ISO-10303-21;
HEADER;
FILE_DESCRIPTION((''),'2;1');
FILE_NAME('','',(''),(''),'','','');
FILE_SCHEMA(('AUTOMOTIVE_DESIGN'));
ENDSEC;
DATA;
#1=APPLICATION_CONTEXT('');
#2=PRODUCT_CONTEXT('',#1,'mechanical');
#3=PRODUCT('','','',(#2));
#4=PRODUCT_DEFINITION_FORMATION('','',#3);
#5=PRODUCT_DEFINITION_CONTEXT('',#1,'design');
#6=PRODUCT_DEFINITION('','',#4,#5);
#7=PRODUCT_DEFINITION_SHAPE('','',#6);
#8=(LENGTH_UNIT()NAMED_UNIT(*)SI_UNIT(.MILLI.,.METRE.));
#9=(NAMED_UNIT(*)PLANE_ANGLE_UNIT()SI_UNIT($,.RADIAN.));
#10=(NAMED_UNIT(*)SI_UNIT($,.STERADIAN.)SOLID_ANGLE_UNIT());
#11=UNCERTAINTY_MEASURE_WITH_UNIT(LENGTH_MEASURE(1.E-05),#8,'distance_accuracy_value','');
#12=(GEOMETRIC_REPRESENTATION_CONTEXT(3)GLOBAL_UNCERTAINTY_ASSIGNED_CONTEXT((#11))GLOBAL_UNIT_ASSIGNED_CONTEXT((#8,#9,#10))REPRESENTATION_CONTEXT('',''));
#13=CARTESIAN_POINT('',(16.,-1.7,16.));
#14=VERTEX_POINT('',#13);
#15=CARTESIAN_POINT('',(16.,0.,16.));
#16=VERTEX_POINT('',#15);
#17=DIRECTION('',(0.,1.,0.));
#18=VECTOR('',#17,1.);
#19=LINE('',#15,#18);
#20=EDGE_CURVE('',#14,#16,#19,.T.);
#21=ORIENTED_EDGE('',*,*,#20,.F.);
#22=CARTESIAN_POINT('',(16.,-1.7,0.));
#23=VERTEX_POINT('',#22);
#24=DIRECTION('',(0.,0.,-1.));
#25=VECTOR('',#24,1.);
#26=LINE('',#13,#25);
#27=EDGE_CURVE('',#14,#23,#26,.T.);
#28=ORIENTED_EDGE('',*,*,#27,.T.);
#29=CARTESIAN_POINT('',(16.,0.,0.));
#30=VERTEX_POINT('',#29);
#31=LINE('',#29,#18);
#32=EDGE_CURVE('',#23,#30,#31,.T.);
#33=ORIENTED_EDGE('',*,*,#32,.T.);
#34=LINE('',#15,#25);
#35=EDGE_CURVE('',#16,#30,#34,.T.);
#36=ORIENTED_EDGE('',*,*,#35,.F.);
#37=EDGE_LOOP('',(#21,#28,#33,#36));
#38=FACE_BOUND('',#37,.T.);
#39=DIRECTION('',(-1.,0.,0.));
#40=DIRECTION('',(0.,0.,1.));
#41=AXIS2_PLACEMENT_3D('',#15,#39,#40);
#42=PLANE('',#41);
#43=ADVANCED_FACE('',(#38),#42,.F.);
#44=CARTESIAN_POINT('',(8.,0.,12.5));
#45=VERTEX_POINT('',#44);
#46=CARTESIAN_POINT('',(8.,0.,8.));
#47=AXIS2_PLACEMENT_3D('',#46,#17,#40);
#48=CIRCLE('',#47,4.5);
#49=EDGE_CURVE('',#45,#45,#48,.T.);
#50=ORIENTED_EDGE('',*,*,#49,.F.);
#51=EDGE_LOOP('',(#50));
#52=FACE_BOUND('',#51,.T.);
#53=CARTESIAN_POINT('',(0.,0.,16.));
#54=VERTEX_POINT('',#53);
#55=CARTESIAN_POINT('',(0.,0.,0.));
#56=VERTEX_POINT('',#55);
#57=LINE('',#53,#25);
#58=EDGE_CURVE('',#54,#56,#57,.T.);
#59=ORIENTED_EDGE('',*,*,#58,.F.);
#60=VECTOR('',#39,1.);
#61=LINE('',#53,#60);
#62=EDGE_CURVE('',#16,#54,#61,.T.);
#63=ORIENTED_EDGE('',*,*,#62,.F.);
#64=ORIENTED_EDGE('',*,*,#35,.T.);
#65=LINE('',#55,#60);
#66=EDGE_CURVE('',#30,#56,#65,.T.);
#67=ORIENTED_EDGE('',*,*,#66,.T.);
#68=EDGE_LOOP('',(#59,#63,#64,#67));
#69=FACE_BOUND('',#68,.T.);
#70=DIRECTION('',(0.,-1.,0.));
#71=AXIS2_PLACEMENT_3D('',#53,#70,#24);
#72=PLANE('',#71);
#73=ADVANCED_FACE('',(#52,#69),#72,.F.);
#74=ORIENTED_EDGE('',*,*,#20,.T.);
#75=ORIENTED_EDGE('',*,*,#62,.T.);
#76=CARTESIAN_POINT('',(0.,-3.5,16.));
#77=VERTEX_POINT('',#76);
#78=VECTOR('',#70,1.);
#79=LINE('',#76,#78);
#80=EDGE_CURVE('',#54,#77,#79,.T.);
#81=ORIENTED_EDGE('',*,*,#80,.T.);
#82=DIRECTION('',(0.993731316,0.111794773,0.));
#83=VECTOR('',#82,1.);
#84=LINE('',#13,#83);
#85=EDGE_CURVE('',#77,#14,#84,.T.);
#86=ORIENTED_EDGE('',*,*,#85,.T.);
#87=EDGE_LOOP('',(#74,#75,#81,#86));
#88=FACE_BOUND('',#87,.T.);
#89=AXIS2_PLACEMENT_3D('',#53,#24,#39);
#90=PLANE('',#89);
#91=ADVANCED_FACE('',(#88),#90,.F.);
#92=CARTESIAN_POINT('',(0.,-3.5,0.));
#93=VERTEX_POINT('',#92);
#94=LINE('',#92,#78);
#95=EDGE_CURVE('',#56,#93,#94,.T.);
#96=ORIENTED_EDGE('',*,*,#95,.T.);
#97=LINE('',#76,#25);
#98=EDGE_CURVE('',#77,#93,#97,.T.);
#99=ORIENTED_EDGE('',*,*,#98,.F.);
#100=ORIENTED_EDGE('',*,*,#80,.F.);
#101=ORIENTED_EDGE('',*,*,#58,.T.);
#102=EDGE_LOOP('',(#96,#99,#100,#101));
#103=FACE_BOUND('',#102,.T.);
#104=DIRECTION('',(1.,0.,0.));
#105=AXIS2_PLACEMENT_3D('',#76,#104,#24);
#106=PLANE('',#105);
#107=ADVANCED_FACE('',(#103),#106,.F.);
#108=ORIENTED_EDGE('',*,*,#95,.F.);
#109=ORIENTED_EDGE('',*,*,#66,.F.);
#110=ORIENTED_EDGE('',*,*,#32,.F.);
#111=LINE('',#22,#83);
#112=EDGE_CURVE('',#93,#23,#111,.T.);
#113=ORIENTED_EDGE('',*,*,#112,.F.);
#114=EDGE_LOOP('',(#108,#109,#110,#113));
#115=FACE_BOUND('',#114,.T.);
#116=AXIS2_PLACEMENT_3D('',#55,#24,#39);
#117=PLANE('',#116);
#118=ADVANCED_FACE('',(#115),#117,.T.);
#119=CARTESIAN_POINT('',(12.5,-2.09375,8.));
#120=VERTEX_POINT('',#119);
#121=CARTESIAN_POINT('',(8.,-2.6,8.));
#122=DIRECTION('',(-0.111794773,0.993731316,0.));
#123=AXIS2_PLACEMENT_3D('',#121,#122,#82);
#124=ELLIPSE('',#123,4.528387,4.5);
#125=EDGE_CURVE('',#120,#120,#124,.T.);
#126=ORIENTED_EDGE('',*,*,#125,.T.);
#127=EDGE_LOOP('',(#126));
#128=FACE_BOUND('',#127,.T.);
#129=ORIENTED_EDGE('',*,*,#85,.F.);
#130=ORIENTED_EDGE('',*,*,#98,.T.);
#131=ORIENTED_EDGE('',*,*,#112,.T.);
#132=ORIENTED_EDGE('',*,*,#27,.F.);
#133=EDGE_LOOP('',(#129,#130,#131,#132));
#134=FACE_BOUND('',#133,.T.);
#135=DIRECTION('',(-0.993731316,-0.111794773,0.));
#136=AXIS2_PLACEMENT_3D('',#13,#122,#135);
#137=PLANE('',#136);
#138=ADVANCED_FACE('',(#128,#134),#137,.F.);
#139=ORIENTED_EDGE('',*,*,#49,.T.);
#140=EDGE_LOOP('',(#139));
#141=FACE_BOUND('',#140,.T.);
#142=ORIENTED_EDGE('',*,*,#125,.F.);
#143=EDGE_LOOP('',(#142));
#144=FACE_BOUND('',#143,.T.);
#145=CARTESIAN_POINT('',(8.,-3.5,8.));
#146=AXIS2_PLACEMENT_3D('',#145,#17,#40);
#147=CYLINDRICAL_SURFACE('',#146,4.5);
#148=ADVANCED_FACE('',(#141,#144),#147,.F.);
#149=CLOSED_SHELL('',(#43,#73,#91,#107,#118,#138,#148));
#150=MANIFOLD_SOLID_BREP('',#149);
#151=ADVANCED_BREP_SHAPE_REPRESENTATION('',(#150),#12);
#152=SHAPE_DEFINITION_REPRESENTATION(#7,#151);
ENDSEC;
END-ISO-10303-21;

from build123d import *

# Parameters (mm, degrees)
VYSUNOUT1_DEPTH          = 16
SKICA2_R                 = 4.5
ODEBRAT_VYSUNUT_M1_DEPTH = 23.896506284


with BuildPart() as part:
    # Skica1 → Vysunout1 (new body)
    with BuildSketch(Plane.XY):
        Polygon((0, 0), (16, 0), (16, -1.7), (0, -3.5), align=None)
    extrude(amount=VYSUNOUT1_DEPTH)

    # Skica2 → Odebrat vysunutím1 (cut, through all)
    with BuildSketch(Plane(origin=(0, 0, 0), x_dir=(-1, 0, 0), z_dir=(0, 1, 0))):
        with Locations(Location((-8, 8, 0), (0, 0, 90))):
            Circle(SKICA2_R)
    extrude(amount=-ODEBRAT_VYSUNUT_M1_DEPTH, mode=Mode.SUBTRACT)


solid = part.part
